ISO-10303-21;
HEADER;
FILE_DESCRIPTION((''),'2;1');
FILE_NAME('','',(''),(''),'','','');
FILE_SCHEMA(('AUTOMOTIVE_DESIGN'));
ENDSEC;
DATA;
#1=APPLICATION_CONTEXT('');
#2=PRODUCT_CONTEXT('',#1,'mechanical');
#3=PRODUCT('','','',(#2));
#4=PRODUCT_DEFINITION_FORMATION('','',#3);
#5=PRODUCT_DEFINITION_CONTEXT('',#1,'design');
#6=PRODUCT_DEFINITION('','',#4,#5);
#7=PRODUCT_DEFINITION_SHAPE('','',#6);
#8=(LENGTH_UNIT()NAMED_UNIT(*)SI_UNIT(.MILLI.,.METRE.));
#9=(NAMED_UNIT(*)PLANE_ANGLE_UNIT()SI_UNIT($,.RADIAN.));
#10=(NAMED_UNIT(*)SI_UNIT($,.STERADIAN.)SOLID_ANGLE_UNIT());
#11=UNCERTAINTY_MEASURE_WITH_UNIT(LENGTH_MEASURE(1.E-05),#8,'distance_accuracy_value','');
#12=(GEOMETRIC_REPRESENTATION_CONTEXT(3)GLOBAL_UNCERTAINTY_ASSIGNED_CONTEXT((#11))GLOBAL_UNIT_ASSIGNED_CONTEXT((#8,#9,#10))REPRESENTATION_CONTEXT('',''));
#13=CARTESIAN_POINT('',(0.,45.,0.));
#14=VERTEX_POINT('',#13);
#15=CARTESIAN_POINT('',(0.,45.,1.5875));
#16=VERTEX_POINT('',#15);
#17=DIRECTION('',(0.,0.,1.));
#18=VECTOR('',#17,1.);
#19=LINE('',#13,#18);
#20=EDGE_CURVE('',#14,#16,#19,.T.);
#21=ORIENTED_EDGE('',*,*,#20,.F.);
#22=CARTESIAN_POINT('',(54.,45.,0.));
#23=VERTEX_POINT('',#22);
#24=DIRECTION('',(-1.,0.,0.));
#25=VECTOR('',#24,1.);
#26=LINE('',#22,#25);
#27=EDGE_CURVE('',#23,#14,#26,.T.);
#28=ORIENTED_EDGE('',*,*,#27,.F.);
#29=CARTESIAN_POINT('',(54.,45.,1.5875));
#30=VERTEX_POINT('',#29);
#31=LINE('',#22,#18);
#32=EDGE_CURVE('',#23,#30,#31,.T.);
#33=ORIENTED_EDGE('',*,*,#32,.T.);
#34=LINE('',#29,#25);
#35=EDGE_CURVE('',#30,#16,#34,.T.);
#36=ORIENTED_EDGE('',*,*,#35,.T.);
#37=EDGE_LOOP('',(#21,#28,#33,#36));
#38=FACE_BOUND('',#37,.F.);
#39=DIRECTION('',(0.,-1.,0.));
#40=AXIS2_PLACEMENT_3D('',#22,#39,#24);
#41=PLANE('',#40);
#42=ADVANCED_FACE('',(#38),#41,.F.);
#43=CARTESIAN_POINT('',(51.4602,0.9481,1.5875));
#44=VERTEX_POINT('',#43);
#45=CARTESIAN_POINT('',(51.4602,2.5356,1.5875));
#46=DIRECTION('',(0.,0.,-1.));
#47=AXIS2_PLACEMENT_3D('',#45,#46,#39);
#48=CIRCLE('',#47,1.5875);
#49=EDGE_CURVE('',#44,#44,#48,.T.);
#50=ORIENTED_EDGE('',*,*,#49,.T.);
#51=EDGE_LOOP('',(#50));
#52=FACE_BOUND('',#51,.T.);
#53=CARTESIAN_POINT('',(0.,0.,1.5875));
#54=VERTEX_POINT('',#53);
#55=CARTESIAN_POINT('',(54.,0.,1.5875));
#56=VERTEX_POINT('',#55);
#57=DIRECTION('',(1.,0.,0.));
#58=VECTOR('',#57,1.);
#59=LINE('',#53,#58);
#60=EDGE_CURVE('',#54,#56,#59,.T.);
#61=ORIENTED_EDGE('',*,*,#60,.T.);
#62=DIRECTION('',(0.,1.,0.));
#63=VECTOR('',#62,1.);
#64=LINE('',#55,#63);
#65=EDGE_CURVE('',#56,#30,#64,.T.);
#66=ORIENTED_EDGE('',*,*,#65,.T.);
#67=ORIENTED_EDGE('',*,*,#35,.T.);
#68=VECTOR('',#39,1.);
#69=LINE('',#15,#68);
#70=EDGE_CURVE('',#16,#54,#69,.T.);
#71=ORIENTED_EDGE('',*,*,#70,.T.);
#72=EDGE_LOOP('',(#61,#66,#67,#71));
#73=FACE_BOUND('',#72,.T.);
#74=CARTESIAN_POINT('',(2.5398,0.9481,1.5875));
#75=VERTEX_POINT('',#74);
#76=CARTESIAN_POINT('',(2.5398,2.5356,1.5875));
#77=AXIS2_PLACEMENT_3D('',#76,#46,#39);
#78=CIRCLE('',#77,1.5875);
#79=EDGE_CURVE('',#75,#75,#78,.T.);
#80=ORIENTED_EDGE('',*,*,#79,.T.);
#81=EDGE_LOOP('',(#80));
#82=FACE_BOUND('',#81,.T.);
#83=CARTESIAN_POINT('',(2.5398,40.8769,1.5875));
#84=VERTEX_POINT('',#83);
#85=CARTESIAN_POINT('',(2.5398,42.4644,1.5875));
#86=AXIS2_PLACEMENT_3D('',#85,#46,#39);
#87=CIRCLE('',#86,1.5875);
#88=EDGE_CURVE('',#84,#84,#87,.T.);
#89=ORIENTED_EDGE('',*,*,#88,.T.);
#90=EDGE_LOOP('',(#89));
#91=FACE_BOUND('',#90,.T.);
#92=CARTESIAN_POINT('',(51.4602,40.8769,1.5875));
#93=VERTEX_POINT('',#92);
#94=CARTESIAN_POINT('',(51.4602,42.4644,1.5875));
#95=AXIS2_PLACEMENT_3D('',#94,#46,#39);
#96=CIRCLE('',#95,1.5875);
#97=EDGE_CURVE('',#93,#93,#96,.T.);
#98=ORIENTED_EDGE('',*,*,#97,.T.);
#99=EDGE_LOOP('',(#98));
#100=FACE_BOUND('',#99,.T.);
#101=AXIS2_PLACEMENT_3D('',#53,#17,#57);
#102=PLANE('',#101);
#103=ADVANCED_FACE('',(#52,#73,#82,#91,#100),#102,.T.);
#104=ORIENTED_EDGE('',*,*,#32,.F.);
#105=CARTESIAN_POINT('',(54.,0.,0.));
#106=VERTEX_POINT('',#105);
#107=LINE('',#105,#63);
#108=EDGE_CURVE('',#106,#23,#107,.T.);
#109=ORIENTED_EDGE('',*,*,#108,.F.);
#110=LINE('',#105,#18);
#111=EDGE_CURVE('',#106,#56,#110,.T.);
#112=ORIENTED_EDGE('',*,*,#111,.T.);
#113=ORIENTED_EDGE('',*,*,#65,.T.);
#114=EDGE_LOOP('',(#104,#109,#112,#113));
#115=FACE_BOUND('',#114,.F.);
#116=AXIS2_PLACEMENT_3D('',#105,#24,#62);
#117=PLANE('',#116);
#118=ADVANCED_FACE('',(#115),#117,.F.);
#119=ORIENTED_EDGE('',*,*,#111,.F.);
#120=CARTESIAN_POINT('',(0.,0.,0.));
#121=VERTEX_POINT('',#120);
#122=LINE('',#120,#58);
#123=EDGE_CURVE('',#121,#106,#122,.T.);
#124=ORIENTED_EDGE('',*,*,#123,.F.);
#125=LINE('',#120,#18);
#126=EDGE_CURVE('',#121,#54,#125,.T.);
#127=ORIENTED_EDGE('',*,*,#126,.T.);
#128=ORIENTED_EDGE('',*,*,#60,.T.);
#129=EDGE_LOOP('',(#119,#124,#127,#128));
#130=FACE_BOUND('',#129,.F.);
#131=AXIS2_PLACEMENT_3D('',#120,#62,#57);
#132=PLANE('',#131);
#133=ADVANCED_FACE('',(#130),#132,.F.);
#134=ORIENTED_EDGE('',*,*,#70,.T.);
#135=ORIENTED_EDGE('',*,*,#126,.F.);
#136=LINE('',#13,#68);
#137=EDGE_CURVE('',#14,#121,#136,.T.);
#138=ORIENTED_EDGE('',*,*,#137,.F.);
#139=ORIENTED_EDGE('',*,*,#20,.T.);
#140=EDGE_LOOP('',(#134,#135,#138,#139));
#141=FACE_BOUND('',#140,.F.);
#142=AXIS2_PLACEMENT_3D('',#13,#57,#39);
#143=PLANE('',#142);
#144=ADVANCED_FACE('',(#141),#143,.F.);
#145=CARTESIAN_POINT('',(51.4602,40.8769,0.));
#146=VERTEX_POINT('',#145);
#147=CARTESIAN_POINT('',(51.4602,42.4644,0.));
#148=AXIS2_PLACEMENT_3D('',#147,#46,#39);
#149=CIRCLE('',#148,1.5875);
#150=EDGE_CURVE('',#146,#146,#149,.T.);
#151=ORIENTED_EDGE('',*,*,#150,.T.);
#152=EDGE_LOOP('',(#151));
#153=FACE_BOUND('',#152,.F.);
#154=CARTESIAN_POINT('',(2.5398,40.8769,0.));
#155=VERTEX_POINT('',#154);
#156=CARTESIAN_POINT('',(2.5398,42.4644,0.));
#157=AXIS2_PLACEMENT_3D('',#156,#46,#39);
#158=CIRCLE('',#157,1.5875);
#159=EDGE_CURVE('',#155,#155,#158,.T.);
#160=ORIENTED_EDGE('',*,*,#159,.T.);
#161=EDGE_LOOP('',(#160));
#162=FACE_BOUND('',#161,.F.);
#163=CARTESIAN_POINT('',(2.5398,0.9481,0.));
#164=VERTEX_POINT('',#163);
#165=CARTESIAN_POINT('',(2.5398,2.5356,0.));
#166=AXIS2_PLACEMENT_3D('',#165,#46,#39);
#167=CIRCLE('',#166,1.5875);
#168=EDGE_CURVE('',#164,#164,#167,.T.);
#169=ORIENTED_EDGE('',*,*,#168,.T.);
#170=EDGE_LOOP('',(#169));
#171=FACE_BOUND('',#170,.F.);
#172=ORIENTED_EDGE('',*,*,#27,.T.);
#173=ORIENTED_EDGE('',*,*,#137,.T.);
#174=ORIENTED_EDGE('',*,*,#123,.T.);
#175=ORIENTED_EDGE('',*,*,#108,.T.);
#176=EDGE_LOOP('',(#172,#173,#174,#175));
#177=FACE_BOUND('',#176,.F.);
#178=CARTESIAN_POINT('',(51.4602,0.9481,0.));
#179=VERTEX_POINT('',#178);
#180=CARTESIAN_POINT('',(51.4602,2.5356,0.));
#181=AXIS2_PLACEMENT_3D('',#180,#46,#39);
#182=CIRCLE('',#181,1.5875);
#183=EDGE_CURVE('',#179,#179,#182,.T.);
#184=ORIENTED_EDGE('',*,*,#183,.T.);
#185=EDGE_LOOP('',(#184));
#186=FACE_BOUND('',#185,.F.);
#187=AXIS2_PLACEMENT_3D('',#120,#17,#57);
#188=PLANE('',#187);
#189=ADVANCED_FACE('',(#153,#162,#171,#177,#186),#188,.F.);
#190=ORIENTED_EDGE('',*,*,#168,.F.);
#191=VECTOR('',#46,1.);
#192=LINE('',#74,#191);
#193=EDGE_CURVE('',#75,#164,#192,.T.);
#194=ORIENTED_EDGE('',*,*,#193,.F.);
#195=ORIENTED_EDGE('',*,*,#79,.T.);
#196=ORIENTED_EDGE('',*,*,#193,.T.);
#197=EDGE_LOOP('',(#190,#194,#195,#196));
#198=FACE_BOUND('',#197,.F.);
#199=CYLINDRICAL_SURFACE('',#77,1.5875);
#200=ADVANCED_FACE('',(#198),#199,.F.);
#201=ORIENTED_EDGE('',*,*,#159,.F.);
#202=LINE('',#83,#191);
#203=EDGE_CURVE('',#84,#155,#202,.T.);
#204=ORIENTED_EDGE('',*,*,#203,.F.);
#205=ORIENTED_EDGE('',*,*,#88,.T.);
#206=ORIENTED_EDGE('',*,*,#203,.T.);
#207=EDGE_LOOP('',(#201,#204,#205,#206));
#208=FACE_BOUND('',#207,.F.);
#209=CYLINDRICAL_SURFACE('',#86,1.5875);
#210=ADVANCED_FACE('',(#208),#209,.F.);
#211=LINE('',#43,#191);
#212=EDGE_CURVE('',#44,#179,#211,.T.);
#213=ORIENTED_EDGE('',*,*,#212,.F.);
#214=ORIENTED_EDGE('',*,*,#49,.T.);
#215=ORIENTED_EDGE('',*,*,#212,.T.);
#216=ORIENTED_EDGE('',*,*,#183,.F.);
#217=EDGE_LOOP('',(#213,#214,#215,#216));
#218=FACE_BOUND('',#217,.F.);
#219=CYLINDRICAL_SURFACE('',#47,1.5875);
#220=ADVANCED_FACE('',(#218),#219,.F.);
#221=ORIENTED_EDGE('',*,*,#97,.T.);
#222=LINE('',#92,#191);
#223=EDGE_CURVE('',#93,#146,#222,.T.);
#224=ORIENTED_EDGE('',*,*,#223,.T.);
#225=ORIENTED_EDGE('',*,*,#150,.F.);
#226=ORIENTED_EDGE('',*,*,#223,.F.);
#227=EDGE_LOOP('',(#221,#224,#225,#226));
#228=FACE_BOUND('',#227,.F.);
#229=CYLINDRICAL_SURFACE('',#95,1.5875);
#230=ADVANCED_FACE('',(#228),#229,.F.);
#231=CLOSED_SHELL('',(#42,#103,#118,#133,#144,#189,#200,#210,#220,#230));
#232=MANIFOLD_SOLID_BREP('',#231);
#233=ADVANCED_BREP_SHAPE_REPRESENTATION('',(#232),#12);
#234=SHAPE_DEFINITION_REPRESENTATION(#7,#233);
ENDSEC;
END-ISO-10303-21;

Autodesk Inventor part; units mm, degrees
ref_plane "YZ Plane" through (0, 0, 0) normal (1, 0, 0) x (0, 1, 0)
ref_plane "XZ Plane" through (0, 0, 0) normal (0, 1, 0) x (-1, 0, 0)
ref_plane "XY Plane" through (0, 0, 0) normal (0, 0, 1) x (1, 0, 0)
sketch "Sketch1" plane through (0, 0, 0) normal (0, 0, 1) x (1, 0, 0)
  line L0 (0, 0) -> (54, 0)
  line L1 (54, 0) -> (54, 45)
  line L2 (54, 45) -> (0, 45)
  line L3 (0, 45) -> (0, 0)
  dimension "d0" = 54
  dimension "d1" = 45
extrude "Extrusion1" add sketch "Sketch1" along normal blind 1.5875
sketch "Sketch2" plane through (0, 0, 1.5875) normal (0, 0, 1) x (1, 0, 0)
  line L0 (2.5398, 42.4644) -> (2.5398, 2.5356) construction
  line L1 (2.5398, 2.5356) -> (51.4602, 2.5356) construction
  line L2 (51.4602, 2.5356) -> (51.4602, 42.4644) construction
  line L3 (51.4602, 42.4644) -> (2.5398, 42.4644) construction
  line L4 (27, 2.5356) -> (27, 42.4644) construction
  line L5 (2.5398, 22.5) -> (51.4602, 22.5) construction
  line L6 (54, 0) -> (54, 45) construction
  line L7 (54, 45) -> (0, 45) construction
  line L8 (0, 45) -> (0, 0) construction
  line L9 (0, 0) -> (54, 0) construction
  line L10 (27, 0) -> (27, 45) construction
  line L11 (0, 22.5) -> (54, 22.5) construction
  dimension "d4" = 39.9288
  dimension "d5" = 48.9204
hole "Hole1" at (2.5398, 2.5356, 1.5875) at (2.5398, 42.4644, 1.5875) at (51.4602, 42.4644, 1.5875) at (51.4602, 2.5356, 1.5875) direction (0, 0, -1) diameter 3.175 end through all
properties part number "Board_Main"
